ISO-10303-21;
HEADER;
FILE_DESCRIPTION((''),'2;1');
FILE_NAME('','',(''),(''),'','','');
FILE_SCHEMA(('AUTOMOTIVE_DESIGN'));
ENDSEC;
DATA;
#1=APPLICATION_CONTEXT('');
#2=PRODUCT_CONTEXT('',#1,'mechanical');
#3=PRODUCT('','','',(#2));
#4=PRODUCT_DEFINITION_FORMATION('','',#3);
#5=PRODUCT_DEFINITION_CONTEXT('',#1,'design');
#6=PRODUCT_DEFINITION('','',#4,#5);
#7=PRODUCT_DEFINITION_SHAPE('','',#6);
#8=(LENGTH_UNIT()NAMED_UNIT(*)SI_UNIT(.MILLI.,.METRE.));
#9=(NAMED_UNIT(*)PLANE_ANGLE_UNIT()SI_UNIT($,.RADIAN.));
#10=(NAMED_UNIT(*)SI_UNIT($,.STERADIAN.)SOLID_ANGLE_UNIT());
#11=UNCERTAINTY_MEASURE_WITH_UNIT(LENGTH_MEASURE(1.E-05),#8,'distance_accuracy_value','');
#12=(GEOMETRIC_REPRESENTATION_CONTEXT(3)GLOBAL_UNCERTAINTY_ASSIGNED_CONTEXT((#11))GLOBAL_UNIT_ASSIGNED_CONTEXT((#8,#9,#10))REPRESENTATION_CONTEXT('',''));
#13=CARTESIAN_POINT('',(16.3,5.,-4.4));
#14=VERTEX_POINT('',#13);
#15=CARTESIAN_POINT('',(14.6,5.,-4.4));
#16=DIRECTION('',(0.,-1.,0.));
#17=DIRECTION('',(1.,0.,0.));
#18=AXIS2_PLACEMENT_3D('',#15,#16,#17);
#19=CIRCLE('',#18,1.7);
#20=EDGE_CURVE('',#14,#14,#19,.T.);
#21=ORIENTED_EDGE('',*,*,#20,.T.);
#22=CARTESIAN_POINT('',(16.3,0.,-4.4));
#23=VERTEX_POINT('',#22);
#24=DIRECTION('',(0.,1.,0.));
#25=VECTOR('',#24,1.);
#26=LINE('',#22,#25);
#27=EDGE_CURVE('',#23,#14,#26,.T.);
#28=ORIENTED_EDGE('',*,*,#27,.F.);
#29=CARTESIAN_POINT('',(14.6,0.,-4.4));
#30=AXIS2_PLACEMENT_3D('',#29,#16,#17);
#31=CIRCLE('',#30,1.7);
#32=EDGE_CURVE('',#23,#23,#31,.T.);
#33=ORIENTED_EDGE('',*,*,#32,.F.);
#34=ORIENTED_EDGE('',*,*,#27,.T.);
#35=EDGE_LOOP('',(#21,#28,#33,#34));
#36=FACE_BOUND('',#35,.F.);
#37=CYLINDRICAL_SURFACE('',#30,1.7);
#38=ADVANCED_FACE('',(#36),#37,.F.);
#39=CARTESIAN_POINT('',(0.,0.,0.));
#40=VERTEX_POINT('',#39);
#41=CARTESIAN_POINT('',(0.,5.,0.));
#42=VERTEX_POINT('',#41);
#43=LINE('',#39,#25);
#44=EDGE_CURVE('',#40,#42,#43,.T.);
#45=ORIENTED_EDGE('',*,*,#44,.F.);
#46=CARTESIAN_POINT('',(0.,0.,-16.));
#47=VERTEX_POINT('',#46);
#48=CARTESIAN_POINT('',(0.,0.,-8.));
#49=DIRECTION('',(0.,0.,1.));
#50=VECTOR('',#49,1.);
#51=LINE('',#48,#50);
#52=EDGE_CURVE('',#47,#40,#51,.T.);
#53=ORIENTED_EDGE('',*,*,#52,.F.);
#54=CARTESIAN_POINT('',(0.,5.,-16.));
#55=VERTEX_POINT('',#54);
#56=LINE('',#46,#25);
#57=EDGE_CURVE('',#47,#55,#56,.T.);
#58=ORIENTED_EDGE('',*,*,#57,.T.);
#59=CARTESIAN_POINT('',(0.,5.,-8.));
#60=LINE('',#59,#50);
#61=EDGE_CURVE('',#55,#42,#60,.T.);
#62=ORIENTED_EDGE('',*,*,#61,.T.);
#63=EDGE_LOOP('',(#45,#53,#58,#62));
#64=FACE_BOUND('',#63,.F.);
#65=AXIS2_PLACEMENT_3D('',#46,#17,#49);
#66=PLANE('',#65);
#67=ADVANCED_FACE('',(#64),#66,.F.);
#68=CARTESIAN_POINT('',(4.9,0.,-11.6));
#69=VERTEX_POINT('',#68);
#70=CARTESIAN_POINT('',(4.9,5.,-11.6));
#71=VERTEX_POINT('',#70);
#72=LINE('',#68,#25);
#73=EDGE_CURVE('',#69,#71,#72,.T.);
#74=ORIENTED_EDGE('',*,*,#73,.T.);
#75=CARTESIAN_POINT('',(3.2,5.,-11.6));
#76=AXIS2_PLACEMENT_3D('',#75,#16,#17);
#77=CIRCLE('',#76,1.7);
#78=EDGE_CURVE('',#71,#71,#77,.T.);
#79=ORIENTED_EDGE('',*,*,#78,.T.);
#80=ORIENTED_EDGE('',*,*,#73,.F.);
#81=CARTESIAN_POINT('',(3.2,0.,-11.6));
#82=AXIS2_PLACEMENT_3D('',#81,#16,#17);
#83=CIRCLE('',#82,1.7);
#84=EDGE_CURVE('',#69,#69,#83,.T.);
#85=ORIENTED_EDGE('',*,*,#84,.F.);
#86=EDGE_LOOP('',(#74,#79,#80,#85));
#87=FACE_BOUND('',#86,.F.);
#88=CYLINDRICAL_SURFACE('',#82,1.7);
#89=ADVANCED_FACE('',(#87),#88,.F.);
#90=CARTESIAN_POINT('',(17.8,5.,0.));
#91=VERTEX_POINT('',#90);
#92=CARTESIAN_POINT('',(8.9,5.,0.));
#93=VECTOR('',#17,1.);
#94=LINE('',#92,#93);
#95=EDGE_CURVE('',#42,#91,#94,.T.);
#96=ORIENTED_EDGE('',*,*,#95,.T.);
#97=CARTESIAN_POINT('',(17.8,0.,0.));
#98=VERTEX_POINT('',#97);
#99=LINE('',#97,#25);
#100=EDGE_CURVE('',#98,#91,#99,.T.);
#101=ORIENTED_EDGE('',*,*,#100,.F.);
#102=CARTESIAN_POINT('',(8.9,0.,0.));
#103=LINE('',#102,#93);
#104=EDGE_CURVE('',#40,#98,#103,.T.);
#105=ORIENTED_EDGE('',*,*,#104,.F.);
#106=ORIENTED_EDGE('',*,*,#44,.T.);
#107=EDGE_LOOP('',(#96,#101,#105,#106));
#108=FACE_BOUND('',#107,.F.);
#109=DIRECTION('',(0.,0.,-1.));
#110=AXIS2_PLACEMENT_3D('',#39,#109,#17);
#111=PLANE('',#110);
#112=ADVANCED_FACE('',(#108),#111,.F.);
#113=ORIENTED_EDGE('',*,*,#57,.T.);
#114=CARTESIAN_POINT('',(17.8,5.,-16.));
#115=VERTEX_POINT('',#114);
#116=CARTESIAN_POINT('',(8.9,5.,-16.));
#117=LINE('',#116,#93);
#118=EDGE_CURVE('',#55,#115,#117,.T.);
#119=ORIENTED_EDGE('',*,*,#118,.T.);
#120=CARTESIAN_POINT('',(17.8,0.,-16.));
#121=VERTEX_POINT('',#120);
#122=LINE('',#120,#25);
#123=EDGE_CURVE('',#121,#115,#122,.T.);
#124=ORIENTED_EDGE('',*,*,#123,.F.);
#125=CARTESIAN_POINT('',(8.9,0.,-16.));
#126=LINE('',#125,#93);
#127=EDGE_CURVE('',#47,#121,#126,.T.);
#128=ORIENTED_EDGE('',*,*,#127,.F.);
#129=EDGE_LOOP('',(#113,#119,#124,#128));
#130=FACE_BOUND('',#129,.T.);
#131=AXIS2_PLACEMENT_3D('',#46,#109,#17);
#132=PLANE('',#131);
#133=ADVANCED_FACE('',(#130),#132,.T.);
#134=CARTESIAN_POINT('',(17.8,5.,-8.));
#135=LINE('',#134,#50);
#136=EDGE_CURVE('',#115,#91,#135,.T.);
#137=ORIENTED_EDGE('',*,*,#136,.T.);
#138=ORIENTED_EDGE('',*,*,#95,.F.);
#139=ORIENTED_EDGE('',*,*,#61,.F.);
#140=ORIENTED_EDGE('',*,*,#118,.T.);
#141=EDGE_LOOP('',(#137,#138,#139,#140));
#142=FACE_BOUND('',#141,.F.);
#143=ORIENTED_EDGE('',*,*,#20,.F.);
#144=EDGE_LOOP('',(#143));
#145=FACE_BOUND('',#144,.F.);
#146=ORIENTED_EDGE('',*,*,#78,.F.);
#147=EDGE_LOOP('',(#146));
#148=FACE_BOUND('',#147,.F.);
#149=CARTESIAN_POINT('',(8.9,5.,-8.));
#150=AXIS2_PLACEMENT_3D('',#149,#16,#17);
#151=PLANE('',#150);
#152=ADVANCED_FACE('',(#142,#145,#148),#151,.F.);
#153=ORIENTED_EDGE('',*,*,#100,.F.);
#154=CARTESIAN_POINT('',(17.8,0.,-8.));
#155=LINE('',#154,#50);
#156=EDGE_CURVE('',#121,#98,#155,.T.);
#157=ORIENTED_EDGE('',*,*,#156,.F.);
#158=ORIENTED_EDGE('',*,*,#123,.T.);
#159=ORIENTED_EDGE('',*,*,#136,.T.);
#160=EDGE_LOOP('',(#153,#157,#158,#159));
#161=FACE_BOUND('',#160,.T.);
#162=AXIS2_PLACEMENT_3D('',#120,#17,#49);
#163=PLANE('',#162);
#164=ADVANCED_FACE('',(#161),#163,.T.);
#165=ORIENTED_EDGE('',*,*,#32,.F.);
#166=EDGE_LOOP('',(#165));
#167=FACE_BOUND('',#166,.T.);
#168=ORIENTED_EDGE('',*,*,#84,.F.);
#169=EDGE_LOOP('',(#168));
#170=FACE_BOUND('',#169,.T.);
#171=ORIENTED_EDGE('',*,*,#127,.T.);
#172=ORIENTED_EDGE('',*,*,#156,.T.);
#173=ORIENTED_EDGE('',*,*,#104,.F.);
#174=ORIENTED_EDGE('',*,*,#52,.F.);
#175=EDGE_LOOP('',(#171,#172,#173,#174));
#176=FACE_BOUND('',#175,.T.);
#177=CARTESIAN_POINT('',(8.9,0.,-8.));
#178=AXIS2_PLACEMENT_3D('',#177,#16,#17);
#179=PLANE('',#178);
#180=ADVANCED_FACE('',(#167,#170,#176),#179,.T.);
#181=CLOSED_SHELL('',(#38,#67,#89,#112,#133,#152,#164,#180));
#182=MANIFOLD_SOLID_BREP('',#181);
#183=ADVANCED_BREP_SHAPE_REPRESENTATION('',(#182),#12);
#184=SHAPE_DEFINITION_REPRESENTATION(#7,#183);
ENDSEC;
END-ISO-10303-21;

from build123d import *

# Parameters (mm, degrees)
F0_W     = 17.8
F0_H     = 16
F1_DEPTH = 5
F2_R     = 1.7
F3_DEPTH = 5.001


with BuildPart() as f1:
    # F0 (on Front) → F1 (new body)
    with BuildSketch(Plane.XZ):
        with Locations((8.9, -8)):
            Rectangle(F0_W, F0_H)
    extrude(amount=-F1_DEPTH)

    # F2 (on face) → F3 (cut, through all)
    with BuildSketch(Plane.XZ):
        with Locations((3.2, -11.6)):
            Circle(F2_R)
        with Locations((14.6, -4.4)):
            Circle(F2_R)
    extrude(amount=-F3_DEPTH, mode=Mode.SUBTRACT)


solid = f1.part
